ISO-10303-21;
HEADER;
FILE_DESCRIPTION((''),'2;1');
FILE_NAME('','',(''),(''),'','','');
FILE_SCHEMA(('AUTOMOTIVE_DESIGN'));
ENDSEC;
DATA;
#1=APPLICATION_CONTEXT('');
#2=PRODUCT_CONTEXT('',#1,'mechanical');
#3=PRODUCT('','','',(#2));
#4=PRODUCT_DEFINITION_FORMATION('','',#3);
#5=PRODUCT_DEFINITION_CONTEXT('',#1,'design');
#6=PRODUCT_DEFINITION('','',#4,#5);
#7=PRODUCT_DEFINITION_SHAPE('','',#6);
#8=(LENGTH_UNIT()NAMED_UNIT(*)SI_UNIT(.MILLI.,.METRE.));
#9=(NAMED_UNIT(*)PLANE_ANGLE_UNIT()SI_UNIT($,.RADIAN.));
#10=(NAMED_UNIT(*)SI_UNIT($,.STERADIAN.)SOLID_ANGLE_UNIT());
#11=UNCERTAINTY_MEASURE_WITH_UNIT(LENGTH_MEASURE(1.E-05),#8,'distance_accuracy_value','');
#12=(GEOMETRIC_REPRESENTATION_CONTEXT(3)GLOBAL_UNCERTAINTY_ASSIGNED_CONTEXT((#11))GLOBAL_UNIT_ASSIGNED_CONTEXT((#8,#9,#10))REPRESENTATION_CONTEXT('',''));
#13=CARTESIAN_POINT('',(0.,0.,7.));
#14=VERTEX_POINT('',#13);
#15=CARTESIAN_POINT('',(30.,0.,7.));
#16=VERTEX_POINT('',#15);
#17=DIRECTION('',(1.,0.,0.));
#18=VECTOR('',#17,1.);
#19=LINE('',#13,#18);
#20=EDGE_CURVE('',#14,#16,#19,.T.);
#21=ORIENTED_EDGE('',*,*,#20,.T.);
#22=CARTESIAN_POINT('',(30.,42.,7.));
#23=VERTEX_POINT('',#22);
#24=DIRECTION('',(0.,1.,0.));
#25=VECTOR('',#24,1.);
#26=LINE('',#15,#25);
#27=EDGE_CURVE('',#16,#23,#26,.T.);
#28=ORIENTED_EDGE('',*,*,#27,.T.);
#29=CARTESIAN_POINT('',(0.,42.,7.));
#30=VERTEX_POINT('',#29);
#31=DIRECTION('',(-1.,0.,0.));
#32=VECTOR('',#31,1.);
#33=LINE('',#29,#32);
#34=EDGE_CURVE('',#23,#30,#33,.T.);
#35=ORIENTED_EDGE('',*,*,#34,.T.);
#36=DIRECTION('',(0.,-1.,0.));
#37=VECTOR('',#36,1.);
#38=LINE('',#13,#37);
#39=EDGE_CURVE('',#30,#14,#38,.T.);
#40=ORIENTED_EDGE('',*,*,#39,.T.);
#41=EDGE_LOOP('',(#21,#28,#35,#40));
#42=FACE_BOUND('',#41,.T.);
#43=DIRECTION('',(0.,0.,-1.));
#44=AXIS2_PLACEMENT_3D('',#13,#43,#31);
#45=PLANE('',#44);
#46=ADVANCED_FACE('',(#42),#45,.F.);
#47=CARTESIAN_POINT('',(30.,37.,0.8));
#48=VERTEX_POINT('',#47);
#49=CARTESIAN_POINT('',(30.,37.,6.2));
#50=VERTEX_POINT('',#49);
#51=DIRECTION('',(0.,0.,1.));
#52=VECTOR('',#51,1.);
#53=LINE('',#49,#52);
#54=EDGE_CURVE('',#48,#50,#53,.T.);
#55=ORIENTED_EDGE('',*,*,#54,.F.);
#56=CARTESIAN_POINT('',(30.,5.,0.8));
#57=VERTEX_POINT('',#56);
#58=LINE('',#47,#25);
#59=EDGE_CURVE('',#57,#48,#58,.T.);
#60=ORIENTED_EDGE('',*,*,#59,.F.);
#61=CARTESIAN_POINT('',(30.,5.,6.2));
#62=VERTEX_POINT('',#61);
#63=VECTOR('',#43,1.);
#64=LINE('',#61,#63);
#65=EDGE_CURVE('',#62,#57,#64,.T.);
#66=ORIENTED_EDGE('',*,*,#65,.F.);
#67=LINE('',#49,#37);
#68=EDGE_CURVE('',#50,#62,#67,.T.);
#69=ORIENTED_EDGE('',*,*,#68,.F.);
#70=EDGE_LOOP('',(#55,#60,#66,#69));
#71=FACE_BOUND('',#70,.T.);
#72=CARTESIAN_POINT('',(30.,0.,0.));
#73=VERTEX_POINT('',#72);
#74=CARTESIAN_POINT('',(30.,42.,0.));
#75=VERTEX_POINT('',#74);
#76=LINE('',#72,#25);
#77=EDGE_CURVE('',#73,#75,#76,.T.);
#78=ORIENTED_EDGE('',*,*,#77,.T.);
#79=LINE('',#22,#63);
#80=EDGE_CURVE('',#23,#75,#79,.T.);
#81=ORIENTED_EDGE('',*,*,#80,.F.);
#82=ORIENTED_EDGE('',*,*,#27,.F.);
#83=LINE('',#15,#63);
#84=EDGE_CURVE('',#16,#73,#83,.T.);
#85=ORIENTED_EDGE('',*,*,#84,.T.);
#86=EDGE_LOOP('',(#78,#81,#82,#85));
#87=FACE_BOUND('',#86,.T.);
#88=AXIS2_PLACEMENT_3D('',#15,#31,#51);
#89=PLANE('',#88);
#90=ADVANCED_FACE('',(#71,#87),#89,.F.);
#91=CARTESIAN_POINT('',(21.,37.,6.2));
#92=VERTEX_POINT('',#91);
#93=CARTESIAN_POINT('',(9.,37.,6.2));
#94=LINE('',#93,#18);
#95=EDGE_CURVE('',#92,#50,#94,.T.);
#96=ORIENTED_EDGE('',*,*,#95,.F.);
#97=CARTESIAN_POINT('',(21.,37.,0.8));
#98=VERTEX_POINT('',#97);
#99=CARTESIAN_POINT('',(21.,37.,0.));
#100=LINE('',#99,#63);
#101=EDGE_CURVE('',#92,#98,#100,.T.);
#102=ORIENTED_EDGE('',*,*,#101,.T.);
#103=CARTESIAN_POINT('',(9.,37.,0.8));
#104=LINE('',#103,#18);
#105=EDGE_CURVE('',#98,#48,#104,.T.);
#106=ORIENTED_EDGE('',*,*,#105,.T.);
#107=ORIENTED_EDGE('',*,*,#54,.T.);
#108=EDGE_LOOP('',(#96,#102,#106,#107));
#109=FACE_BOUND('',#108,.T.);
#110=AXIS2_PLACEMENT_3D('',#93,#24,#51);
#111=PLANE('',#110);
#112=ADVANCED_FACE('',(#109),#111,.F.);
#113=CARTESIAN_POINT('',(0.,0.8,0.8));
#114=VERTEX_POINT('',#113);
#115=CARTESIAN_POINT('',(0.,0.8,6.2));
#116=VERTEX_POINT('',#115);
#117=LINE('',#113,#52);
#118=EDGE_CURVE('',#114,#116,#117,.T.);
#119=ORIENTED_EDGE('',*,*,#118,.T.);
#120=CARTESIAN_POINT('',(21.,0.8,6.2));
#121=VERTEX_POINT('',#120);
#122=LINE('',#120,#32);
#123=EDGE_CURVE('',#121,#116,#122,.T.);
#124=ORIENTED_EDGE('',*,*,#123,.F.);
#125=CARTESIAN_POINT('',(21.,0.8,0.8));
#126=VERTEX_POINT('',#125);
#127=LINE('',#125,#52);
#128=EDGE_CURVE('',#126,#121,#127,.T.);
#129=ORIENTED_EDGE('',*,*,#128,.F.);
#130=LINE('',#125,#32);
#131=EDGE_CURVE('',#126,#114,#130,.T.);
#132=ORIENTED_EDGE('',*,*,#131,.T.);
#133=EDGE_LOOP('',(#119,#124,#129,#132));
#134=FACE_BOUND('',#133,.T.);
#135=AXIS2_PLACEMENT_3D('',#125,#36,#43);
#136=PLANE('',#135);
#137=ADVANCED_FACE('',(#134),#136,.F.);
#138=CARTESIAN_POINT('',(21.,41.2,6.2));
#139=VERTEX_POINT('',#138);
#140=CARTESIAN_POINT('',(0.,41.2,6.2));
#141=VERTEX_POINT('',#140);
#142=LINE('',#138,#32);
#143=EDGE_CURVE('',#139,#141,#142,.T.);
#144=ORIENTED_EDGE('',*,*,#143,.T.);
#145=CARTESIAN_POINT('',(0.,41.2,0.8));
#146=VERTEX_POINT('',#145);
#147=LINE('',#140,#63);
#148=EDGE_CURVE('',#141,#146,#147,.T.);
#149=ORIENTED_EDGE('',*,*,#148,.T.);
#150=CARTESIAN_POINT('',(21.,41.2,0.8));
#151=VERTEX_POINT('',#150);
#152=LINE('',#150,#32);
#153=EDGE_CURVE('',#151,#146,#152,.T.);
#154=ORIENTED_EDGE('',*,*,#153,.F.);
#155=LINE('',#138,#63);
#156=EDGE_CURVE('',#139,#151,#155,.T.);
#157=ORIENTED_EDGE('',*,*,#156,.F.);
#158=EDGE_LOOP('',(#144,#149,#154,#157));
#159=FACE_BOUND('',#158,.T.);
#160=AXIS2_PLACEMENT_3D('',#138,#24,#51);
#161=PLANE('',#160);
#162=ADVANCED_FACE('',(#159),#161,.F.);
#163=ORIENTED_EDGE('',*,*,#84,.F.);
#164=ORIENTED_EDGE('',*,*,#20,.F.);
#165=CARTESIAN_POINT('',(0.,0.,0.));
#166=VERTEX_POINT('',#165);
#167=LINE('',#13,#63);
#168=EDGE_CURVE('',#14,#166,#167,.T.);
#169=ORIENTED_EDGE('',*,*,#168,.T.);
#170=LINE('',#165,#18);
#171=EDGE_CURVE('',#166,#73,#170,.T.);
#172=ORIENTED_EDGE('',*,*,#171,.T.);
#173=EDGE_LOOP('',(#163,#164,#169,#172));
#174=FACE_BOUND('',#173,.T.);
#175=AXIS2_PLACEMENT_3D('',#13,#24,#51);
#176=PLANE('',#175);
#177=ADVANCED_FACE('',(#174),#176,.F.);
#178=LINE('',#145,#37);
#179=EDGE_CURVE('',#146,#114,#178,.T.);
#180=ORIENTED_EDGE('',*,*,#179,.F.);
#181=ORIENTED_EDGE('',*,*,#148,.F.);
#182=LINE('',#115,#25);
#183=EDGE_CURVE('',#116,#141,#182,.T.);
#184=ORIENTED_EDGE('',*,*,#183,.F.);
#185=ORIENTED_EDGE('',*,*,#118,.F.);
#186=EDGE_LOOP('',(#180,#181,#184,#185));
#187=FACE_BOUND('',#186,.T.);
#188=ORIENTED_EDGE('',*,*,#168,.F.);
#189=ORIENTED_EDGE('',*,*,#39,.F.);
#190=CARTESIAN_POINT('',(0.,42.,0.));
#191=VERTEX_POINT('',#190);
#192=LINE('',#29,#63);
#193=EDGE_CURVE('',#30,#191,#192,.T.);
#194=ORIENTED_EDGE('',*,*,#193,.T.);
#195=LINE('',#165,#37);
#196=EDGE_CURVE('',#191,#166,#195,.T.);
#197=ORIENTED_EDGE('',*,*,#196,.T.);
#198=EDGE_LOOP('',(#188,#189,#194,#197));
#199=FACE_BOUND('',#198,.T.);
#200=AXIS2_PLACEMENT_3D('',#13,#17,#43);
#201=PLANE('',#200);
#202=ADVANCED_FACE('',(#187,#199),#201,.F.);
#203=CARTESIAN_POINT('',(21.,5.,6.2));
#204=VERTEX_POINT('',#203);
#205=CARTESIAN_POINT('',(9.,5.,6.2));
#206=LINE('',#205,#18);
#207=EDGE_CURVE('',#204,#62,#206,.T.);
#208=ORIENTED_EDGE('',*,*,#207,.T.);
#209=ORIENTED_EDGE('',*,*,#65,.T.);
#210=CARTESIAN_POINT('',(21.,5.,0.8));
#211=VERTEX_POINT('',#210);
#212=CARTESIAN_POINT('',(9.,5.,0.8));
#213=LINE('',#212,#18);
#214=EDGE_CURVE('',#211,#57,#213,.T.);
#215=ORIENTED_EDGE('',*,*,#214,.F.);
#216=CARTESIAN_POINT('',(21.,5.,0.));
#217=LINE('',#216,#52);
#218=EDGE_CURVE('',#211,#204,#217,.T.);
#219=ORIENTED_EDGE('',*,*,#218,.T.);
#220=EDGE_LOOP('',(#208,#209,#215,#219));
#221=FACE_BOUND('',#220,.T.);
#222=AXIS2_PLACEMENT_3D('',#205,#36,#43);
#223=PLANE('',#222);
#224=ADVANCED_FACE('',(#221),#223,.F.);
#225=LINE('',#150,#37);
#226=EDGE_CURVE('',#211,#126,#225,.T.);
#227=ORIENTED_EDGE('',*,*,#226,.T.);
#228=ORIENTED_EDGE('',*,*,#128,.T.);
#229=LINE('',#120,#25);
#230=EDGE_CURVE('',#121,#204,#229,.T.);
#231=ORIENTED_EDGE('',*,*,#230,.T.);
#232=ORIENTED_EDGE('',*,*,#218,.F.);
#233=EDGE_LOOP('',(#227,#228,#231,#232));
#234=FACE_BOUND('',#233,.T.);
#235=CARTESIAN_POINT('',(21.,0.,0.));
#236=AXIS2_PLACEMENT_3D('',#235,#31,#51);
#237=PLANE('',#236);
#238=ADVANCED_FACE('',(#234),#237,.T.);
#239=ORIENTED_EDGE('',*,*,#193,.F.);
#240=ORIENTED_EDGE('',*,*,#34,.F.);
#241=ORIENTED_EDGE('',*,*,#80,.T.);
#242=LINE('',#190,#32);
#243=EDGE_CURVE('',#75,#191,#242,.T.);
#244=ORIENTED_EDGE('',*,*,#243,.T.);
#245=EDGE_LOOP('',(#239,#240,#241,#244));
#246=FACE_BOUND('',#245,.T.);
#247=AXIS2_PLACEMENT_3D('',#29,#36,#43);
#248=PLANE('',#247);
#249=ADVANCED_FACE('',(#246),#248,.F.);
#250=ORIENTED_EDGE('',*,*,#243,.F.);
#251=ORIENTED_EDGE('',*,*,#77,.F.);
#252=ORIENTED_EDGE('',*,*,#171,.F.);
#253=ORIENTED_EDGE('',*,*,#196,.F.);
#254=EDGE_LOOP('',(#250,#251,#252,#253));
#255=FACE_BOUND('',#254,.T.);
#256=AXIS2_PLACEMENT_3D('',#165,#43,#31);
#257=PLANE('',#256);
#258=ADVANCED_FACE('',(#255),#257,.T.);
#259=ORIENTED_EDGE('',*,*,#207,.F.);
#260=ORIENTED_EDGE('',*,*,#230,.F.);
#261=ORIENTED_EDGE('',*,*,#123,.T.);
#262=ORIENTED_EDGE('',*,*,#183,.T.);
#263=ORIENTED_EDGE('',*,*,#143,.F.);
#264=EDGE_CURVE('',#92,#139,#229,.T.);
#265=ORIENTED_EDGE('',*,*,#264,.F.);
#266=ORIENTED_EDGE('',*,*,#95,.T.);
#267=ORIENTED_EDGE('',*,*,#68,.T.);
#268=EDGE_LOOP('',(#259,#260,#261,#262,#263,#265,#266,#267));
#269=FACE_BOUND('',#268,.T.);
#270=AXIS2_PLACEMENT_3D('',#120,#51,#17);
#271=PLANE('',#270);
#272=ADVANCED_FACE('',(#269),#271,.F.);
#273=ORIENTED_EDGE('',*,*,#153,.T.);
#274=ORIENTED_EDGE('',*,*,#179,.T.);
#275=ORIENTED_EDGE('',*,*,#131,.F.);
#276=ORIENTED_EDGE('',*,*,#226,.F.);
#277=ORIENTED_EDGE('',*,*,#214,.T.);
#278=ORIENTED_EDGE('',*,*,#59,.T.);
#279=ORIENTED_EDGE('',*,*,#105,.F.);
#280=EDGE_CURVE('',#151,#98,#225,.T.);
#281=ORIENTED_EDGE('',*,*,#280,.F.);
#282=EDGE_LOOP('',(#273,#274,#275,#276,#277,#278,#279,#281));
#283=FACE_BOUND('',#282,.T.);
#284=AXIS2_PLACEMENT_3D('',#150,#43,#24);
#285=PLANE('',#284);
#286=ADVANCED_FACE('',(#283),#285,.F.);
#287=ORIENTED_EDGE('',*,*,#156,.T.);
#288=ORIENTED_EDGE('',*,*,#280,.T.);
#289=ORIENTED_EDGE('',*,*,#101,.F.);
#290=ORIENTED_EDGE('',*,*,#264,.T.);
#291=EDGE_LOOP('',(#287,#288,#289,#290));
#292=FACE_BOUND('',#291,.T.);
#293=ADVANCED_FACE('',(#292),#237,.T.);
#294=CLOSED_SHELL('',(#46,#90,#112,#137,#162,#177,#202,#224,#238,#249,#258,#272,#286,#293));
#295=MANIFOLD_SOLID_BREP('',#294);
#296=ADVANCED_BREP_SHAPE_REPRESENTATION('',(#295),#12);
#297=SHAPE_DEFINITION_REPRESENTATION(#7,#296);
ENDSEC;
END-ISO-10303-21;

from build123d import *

# Parameters (mm, degrees)
SKETCH1_W           = 30
SKETCH1_H           = 42
BOSS_EXTRUDE1_DEPTH = 7
SKETCH2_W           = 5.4
SKETCH2_H           = 40.4
CUT_EXTRUDE1_DEPTH  = 21
SKETCH3_W           = 5.4
SKETCH3_H           = 32
CUT_EXTRUDE2_DEPTH  = 21


with BuildPart() as part:
    # Sketch1 → Boss-Extrude1 (new body)
    with BuildSketch(Plane.XY):
        with Locations((15, 21)):
            Rectangle(SKETCH1_W, SKETCH1_H)
    extrude(amount=BOSS_EXTRUDE1_DEPTH)

    # Sketch2 → Cut-Extrude1 (cut)
    with BuildSketch(Plane.ZY):
        with Locations((3.5, 21)):
            Rectangle(SKETCH2_W, SKETCH2_H)
    extrude(amount=-CUT_EXTRUDE1_DEPTH, mode=Mode.SUBTRACT)

    # Sketch3 → Cut-Extrude2 (cut)
    with BuildSketch(Plane(origin=(30, 0, 0), x_dir=(0, 0, -1), z_dir=(1, 0, 0))):
        with Locations((-3.5, 21)):
            Rectangle(SKETCH3_W, SKETCH3_H)
    extrude(amount=-CUT_EXTRUDE2_DEPTH, mode=Mode.SUBTRACT)


solid = part.part
